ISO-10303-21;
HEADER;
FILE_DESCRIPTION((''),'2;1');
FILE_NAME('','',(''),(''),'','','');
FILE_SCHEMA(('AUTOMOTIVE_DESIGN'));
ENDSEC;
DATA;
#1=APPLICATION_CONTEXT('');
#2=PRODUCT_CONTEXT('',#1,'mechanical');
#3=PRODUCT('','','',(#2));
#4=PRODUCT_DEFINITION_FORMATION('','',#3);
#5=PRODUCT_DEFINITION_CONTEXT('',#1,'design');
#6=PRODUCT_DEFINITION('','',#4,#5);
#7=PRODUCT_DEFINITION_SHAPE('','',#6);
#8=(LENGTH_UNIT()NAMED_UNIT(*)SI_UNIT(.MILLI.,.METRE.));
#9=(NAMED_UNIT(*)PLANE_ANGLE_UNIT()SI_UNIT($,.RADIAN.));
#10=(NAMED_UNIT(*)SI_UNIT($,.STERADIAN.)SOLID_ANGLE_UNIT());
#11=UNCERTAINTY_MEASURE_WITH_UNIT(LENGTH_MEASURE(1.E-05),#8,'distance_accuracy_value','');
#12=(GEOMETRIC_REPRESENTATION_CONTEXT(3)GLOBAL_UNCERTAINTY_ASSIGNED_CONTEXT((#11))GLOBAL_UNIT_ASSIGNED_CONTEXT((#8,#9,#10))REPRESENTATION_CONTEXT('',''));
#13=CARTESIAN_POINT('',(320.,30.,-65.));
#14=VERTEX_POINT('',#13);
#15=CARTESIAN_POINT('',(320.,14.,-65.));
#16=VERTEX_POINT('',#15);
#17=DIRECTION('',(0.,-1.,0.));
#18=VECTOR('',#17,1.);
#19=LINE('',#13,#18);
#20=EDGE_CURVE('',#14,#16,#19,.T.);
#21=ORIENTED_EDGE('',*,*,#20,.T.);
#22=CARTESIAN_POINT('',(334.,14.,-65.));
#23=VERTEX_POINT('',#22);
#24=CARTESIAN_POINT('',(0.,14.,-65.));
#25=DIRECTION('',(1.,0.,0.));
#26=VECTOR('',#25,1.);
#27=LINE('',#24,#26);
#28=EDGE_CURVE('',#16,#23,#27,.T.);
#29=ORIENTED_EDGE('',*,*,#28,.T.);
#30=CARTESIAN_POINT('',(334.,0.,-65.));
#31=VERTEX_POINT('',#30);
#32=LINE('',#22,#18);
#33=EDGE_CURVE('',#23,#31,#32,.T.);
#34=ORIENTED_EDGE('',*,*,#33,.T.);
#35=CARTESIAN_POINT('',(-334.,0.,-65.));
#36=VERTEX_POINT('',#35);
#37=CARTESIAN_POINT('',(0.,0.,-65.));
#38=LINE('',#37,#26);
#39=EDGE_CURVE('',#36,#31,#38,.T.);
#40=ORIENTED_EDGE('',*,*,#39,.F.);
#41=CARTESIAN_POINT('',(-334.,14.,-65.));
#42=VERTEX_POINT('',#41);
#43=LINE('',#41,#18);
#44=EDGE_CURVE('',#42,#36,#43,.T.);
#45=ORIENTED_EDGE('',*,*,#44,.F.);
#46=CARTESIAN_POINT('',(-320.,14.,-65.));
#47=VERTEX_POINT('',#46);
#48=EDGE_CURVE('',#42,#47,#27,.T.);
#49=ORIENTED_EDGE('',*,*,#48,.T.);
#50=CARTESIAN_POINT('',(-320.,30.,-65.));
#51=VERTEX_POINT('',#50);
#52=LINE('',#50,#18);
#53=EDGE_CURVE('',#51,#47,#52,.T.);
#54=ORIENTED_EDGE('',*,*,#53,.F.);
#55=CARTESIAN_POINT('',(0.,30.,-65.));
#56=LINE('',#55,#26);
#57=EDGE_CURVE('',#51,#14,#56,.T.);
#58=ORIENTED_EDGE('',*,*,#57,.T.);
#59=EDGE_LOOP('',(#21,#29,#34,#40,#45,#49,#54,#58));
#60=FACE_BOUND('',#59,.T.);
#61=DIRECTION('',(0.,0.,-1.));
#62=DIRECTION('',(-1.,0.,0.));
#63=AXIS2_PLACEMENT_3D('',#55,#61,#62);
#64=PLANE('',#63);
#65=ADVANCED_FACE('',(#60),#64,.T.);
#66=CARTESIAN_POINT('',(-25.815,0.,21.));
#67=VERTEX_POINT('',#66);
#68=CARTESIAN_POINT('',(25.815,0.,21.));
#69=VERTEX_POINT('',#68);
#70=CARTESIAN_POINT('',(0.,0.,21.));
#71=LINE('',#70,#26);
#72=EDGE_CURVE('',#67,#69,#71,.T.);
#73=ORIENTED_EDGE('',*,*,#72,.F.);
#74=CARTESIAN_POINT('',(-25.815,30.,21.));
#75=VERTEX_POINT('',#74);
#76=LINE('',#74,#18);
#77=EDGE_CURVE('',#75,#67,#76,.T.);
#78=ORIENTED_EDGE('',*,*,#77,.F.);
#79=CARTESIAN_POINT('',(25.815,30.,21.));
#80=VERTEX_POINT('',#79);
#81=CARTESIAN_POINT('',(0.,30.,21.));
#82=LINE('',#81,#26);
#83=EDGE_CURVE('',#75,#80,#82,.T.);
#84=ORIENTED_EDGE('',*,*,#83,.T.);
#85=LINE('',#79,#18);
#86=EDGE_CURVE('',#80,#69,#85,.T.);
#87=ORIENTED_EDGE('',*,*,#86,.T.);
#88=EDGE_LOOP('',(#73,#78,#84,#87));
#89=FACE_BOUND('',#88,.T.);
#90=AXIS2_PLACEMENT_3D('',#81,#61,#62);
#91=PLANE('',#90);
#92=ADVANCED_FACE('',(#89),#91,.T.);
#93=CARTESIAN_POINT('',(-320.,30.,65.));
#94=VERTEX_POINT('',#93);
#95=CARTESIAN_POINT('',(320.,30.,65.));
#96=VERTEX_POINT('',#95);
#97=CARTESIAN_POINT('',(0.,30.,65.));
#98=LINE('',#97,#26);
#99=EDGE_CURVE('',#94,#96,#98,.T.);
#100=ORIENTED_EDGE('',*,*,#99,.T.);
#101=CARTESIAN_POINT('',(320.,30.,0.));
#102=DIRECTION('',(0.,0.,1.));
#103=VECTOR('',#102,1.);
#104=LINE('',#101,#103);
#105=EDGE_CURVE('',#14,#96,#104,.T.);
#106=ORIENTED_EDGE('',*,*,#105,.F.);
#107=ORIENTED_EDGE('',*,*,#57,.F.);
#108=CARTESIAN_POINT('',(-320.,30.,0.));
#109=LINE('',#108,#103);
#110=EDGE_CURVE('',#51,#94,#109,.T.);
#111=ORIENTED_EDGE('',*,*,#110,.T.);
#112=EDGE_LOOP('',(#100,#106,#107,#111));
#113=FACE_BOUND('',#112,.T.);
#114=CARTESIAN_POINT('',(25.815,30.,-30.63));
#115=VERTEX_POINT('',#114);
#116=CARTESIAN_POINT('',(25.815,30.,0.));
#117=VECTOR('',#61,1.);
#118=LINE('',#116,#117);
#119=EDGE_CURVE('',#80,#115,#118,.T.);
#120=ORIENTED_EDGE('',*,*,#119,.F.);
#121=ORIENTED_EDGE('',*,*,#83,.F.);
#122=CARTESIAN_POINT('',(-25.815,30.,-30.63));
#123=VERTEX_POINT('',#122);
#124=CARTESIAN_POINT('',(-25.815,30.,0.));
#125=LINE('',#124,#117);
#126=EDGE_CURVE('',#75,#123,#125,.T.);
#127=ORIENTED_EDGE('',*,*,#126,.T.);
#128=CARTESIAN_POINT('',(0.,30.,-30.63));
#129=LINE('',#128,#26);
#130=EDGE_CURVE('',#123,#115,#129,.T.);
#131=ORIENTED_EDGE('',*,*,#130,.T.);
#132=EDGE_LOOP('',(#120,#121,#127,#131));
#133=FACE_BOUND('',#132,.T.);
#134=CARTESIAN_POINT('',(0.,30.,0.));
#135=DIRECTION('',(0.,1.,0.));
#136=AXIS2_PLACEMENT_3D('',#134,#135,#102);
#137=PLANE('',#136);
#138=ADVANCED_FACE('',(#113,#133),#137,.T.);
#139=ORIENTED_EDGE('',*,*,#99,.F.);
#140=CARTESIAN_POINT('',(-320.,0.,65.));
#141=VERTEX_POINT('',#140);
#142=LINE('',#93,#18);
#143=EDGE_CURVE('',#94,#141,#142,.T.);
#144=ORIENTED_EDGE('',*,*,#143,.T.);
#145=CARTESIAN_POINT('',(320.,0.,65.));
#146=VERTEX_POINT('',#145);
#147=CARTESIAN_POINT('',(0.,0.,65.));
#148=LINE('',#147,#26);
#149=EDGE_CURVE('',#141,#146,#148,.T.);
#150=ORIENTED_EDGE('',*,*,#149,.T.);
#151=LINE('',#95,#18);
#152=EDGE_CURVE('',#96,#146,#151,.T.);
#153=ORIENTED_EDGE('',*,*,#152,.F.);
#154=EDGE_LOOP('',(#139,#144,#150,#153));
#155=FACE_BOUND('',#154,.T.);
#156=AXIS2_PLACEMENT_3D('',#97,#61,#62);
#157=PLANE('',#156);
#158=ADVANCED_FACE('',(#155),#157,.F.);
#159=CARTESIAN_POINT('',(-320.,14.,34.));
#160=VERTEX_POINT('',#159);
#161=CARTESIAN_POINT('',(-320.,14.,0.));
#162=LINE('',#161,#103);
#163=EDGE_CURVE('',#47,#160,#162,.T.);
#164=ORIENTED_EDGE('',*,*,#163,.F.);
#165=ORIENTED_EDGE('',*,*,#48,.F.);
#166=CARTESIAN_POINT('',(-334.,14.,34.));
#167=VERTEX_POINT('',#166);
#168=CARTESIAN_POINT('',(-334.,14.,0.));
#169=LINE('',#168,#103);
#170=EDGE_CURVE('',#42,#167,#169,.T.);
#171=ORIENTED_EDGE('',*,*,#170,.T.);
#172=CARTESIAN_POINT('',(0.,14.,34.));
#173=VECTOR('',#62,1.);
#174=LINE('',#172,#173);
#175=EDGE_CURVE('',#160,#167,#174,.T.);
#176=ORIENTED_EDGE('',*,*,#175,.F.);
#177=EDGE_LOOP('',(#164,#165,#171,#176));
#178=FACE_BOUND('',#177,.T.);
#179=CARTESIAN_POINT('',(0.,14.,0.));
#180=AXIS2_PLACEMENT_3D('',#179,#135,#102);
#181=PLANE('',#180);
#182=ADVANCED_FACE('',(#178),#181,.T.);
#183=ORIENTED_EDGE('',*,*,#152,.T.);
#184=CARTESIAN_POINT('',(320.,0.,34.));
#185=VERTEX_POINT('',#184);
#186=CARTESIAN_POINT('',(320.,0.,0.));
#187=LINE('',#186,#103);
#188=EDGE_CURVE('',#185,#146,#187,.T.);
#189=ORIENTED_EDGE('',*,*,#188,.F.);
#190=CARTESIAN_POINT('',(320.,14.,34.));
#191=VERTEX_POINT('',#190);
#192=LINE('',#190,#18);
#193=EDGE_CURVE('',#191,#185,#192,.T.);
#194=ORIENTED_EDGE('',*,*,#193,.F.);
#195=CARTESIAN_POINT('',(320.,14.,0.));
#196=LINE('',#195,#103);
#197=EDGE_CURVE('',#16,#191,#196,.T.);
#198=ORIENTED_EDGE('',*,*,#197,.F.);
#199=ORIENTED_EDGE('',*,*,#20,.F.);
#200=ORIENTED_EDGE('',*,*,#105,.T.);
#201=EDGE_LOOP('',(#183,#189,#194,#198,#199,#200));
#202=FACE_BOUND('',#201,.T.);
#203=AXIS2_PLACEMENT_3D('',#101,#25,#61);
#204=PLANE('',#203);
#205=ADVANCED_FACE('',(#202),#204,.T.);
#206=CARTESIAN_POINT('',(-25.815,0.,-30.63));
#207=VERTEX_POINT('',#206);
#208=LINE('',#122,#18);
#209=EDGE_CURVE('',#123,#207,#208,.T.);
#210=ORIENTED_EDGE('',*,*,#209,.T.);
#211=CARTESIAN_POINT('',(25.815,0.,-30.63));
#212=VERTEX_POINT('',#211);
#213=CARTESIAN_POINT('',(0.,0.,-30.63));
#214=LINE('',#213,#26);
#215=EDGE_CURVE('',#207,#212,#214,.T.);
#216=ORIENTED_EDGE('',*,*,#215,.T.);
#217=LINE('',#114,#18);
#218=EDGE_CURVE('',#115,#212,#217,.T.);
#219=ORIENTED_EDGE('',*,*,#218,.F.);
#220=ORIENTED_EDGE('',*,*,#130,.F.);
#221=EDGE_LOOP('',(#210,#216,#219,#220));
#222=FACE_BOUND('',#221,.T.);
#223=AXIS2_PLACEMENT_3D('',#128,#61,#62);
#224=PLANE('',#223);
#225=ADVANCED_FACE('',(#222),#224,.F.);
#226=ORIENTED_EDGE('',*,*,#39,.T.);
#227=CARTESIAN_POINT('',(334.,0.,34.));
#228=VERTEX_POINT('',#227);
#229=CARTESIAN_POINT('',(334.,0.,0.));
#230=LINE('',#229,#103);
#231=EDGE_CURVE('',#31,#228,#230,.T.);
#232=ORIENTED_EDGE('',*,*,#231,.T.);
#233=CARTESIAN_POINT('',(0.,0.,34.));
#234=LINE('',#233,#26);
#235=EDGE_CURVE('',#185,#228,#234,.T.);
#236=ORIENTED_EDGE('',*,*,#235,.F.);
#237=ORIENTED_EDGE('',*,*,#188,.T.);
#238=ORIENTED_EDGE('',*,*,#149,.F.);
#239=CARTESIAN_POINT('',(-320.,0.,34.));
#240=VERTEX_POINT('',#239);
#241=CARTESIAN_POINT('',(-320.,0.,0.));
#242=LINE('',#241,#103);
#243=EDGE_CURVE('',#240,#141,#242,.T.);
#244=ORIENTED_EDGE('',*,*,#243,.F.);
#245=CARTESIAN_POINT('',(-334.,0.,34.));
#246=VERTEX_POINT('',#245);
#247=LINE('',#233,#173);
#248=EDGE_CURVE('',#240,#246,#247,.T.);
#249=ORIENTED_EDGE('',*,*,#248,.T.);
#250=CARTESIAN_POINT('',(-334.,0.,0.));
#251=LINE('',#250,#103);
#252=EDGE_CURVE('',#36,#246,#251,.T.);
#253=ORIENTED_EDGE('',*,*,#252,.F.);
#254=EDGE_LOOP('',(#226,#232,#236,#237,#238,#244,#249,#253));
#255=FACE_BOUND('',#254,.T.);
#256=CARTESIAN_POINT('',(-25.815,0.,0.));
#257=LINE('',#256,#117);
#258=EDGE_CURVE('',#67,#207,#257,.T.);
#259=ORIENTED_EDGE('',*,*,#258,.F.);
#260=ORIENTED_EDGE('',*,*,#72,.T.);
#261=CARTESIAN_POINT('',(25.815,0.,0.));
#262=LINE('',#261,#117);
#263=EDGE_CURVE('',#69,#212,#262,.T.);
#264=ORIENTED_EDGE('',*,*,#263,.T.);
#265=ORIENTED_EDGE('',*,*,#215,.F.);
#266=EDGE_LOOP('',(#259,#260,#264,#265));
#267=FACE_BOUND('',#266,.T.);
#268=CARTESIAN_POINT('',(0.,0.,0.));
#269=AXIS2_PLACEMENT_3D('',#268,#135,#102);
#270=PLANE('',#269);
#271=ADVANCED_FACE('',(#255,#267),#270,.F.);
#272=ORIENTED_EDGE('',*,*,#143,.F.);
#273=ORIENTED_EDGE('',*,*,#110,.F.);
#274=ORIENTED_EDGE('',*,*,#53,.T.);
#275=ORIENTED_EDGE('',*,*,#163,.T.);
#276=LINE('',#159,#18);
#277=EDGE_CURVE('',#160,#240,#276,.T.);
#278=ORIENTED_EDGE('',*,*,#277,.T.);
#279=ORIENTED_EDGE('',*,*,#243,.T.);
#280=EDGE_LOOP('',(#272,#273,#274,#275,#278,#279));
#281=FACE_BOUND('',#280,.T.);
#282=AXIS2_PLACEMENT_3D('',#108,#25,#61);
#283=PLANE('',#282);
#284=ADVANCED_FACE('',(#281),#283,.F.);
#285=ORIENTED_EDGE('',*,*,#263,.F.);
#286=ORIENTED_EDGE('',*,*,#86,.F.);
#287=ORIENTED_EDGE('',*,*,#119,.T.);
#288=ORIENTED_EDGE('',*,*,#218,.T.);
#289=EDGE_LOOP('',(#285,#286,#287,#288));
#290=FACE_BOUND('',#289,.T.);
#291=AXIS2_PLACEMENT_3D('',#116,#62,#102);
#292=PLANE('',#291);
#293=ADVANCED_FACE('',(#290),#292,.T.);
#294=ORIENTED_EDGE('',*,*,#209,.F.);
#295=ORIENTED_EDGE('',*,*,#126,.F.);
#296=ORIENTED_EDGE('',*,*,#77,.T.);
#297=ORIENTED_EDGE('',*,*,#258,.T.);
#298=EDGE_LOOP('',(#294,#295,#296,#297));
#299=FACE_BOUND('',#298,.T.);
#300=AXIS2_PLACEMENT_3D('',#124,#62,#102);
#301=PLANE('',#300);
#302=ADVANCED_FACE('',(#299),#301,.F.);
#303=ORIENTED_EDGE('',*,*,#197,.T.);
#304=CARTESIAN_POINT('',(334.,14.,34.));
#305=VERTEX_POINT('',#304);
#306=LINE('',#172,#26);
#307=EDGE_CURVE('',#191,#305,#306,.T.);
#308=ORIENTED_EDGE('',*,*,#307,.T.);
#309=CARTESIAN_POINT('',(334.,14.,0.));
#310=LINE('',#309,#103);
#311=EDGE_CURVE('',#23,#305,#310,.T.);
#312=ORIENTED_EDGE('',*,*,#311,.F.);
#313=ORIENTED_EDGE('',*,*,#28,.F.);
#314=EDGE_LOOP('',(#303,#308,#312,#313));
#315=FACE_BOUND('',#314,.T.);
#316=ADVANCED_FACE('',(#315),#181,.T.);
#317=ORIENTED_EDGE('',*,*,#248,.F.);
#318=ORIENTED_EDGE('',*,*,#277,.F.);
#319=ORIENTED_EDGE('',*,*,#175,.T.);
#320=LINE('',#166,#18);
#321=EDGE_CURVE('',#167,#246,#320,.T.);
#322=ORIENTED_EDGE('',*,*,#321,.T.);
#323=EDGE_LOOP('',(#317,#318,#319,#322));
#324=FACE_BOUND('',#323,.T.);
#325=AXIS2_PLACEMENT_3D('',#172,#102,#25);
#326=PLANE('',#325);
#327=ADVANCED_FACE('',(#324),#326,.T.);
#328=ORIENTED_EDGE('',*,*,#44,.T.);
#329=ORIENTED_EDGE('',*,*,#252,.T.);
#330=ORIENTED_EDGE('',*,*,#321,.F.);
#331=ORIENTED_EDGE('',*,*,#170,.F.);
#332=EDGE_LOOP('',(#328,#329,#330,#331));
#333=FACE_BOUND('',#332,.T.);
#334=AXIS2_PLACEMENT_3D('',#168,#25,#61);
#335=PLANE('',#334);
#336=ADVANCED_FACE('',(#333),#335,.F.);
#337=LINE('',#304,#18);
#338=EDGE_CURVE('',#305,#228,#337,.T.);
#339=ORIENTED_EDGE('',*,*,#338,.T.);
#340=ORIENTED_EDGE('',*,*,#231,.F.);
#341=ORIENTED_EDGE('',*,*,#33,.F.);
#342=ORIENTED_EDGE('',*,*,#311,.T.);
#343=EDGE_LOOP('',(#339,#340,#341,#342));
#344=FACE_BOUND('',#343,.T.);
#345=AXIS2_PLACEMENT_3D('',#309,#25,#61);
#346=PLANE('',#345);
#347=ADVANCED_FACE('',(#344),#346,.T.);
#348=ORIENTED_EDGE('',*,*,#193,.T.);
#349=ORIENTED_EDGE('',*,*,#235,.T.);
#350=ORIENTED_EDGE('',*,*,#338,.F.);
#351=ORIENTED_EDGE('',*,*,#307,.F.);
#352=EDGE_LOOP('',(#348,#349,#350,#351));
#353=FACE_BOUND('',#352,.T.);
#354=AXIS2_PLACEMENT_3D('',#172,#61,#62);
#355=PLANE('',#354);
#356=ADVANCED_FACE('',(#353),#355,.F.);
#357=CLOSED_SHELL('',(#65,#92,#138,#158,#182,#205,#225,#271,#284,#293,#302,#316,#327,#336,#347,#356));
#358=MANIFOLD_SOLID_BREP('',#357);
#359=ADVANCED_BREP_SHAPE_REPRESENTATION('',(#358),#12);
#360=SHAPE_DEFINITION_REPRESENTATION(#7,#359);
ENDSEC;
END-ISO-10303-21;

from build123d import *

# Parameters (mm, degrees)
SKETCH2_W           = 640
SKETCH2_H           = 130
SKETCH2_W_2         = 51.63
SKETCH2_H_2         = 51.63
BOSS_EXTRUDE1_DEPTH = 30
SKETCH2_5_W         = 14
SKETCH2_5_H         = 99
BOSS_EXTRUDE2_DEPTH = 14


with BuildPart() as part:
    # Sketch2 → Boss-Extrude1 (new body)
    with BuildSketch(Plane(origin=(0, 0, 0), x_dir=(1, 0, 0), z_dir=(0, 1, 0))):
        Rectangle(SKETCH2_W, SKETCH2_H)
        with Locations((0, 4.815)):
            Rectangle(SKETCH2_W_2, SKETCH2_H_2, mode=Mode.SUBTRACT)
    extrude(amount=BOSS_EXTRUDE1_DEPTH)

    # Sketch2<5> → Boss-Extrude2 (add)
    with BuildSketch(Plane(origin=(0, 0, 0), x_dir=(1, 0, 0), z_dir=(0, 1, 0))):
        with Locations((-327, 15.5)):
            Rectangle(SKETCH2_5_W, SKETCH2_5_H)
        with Locations((327, 15.5)):
            Rectangle(SKETCH2_5_W, SKETCH2_5_H)
    extrude(amount=BOSS_EXTRUDE2_DEPTH)


solid = part.part
